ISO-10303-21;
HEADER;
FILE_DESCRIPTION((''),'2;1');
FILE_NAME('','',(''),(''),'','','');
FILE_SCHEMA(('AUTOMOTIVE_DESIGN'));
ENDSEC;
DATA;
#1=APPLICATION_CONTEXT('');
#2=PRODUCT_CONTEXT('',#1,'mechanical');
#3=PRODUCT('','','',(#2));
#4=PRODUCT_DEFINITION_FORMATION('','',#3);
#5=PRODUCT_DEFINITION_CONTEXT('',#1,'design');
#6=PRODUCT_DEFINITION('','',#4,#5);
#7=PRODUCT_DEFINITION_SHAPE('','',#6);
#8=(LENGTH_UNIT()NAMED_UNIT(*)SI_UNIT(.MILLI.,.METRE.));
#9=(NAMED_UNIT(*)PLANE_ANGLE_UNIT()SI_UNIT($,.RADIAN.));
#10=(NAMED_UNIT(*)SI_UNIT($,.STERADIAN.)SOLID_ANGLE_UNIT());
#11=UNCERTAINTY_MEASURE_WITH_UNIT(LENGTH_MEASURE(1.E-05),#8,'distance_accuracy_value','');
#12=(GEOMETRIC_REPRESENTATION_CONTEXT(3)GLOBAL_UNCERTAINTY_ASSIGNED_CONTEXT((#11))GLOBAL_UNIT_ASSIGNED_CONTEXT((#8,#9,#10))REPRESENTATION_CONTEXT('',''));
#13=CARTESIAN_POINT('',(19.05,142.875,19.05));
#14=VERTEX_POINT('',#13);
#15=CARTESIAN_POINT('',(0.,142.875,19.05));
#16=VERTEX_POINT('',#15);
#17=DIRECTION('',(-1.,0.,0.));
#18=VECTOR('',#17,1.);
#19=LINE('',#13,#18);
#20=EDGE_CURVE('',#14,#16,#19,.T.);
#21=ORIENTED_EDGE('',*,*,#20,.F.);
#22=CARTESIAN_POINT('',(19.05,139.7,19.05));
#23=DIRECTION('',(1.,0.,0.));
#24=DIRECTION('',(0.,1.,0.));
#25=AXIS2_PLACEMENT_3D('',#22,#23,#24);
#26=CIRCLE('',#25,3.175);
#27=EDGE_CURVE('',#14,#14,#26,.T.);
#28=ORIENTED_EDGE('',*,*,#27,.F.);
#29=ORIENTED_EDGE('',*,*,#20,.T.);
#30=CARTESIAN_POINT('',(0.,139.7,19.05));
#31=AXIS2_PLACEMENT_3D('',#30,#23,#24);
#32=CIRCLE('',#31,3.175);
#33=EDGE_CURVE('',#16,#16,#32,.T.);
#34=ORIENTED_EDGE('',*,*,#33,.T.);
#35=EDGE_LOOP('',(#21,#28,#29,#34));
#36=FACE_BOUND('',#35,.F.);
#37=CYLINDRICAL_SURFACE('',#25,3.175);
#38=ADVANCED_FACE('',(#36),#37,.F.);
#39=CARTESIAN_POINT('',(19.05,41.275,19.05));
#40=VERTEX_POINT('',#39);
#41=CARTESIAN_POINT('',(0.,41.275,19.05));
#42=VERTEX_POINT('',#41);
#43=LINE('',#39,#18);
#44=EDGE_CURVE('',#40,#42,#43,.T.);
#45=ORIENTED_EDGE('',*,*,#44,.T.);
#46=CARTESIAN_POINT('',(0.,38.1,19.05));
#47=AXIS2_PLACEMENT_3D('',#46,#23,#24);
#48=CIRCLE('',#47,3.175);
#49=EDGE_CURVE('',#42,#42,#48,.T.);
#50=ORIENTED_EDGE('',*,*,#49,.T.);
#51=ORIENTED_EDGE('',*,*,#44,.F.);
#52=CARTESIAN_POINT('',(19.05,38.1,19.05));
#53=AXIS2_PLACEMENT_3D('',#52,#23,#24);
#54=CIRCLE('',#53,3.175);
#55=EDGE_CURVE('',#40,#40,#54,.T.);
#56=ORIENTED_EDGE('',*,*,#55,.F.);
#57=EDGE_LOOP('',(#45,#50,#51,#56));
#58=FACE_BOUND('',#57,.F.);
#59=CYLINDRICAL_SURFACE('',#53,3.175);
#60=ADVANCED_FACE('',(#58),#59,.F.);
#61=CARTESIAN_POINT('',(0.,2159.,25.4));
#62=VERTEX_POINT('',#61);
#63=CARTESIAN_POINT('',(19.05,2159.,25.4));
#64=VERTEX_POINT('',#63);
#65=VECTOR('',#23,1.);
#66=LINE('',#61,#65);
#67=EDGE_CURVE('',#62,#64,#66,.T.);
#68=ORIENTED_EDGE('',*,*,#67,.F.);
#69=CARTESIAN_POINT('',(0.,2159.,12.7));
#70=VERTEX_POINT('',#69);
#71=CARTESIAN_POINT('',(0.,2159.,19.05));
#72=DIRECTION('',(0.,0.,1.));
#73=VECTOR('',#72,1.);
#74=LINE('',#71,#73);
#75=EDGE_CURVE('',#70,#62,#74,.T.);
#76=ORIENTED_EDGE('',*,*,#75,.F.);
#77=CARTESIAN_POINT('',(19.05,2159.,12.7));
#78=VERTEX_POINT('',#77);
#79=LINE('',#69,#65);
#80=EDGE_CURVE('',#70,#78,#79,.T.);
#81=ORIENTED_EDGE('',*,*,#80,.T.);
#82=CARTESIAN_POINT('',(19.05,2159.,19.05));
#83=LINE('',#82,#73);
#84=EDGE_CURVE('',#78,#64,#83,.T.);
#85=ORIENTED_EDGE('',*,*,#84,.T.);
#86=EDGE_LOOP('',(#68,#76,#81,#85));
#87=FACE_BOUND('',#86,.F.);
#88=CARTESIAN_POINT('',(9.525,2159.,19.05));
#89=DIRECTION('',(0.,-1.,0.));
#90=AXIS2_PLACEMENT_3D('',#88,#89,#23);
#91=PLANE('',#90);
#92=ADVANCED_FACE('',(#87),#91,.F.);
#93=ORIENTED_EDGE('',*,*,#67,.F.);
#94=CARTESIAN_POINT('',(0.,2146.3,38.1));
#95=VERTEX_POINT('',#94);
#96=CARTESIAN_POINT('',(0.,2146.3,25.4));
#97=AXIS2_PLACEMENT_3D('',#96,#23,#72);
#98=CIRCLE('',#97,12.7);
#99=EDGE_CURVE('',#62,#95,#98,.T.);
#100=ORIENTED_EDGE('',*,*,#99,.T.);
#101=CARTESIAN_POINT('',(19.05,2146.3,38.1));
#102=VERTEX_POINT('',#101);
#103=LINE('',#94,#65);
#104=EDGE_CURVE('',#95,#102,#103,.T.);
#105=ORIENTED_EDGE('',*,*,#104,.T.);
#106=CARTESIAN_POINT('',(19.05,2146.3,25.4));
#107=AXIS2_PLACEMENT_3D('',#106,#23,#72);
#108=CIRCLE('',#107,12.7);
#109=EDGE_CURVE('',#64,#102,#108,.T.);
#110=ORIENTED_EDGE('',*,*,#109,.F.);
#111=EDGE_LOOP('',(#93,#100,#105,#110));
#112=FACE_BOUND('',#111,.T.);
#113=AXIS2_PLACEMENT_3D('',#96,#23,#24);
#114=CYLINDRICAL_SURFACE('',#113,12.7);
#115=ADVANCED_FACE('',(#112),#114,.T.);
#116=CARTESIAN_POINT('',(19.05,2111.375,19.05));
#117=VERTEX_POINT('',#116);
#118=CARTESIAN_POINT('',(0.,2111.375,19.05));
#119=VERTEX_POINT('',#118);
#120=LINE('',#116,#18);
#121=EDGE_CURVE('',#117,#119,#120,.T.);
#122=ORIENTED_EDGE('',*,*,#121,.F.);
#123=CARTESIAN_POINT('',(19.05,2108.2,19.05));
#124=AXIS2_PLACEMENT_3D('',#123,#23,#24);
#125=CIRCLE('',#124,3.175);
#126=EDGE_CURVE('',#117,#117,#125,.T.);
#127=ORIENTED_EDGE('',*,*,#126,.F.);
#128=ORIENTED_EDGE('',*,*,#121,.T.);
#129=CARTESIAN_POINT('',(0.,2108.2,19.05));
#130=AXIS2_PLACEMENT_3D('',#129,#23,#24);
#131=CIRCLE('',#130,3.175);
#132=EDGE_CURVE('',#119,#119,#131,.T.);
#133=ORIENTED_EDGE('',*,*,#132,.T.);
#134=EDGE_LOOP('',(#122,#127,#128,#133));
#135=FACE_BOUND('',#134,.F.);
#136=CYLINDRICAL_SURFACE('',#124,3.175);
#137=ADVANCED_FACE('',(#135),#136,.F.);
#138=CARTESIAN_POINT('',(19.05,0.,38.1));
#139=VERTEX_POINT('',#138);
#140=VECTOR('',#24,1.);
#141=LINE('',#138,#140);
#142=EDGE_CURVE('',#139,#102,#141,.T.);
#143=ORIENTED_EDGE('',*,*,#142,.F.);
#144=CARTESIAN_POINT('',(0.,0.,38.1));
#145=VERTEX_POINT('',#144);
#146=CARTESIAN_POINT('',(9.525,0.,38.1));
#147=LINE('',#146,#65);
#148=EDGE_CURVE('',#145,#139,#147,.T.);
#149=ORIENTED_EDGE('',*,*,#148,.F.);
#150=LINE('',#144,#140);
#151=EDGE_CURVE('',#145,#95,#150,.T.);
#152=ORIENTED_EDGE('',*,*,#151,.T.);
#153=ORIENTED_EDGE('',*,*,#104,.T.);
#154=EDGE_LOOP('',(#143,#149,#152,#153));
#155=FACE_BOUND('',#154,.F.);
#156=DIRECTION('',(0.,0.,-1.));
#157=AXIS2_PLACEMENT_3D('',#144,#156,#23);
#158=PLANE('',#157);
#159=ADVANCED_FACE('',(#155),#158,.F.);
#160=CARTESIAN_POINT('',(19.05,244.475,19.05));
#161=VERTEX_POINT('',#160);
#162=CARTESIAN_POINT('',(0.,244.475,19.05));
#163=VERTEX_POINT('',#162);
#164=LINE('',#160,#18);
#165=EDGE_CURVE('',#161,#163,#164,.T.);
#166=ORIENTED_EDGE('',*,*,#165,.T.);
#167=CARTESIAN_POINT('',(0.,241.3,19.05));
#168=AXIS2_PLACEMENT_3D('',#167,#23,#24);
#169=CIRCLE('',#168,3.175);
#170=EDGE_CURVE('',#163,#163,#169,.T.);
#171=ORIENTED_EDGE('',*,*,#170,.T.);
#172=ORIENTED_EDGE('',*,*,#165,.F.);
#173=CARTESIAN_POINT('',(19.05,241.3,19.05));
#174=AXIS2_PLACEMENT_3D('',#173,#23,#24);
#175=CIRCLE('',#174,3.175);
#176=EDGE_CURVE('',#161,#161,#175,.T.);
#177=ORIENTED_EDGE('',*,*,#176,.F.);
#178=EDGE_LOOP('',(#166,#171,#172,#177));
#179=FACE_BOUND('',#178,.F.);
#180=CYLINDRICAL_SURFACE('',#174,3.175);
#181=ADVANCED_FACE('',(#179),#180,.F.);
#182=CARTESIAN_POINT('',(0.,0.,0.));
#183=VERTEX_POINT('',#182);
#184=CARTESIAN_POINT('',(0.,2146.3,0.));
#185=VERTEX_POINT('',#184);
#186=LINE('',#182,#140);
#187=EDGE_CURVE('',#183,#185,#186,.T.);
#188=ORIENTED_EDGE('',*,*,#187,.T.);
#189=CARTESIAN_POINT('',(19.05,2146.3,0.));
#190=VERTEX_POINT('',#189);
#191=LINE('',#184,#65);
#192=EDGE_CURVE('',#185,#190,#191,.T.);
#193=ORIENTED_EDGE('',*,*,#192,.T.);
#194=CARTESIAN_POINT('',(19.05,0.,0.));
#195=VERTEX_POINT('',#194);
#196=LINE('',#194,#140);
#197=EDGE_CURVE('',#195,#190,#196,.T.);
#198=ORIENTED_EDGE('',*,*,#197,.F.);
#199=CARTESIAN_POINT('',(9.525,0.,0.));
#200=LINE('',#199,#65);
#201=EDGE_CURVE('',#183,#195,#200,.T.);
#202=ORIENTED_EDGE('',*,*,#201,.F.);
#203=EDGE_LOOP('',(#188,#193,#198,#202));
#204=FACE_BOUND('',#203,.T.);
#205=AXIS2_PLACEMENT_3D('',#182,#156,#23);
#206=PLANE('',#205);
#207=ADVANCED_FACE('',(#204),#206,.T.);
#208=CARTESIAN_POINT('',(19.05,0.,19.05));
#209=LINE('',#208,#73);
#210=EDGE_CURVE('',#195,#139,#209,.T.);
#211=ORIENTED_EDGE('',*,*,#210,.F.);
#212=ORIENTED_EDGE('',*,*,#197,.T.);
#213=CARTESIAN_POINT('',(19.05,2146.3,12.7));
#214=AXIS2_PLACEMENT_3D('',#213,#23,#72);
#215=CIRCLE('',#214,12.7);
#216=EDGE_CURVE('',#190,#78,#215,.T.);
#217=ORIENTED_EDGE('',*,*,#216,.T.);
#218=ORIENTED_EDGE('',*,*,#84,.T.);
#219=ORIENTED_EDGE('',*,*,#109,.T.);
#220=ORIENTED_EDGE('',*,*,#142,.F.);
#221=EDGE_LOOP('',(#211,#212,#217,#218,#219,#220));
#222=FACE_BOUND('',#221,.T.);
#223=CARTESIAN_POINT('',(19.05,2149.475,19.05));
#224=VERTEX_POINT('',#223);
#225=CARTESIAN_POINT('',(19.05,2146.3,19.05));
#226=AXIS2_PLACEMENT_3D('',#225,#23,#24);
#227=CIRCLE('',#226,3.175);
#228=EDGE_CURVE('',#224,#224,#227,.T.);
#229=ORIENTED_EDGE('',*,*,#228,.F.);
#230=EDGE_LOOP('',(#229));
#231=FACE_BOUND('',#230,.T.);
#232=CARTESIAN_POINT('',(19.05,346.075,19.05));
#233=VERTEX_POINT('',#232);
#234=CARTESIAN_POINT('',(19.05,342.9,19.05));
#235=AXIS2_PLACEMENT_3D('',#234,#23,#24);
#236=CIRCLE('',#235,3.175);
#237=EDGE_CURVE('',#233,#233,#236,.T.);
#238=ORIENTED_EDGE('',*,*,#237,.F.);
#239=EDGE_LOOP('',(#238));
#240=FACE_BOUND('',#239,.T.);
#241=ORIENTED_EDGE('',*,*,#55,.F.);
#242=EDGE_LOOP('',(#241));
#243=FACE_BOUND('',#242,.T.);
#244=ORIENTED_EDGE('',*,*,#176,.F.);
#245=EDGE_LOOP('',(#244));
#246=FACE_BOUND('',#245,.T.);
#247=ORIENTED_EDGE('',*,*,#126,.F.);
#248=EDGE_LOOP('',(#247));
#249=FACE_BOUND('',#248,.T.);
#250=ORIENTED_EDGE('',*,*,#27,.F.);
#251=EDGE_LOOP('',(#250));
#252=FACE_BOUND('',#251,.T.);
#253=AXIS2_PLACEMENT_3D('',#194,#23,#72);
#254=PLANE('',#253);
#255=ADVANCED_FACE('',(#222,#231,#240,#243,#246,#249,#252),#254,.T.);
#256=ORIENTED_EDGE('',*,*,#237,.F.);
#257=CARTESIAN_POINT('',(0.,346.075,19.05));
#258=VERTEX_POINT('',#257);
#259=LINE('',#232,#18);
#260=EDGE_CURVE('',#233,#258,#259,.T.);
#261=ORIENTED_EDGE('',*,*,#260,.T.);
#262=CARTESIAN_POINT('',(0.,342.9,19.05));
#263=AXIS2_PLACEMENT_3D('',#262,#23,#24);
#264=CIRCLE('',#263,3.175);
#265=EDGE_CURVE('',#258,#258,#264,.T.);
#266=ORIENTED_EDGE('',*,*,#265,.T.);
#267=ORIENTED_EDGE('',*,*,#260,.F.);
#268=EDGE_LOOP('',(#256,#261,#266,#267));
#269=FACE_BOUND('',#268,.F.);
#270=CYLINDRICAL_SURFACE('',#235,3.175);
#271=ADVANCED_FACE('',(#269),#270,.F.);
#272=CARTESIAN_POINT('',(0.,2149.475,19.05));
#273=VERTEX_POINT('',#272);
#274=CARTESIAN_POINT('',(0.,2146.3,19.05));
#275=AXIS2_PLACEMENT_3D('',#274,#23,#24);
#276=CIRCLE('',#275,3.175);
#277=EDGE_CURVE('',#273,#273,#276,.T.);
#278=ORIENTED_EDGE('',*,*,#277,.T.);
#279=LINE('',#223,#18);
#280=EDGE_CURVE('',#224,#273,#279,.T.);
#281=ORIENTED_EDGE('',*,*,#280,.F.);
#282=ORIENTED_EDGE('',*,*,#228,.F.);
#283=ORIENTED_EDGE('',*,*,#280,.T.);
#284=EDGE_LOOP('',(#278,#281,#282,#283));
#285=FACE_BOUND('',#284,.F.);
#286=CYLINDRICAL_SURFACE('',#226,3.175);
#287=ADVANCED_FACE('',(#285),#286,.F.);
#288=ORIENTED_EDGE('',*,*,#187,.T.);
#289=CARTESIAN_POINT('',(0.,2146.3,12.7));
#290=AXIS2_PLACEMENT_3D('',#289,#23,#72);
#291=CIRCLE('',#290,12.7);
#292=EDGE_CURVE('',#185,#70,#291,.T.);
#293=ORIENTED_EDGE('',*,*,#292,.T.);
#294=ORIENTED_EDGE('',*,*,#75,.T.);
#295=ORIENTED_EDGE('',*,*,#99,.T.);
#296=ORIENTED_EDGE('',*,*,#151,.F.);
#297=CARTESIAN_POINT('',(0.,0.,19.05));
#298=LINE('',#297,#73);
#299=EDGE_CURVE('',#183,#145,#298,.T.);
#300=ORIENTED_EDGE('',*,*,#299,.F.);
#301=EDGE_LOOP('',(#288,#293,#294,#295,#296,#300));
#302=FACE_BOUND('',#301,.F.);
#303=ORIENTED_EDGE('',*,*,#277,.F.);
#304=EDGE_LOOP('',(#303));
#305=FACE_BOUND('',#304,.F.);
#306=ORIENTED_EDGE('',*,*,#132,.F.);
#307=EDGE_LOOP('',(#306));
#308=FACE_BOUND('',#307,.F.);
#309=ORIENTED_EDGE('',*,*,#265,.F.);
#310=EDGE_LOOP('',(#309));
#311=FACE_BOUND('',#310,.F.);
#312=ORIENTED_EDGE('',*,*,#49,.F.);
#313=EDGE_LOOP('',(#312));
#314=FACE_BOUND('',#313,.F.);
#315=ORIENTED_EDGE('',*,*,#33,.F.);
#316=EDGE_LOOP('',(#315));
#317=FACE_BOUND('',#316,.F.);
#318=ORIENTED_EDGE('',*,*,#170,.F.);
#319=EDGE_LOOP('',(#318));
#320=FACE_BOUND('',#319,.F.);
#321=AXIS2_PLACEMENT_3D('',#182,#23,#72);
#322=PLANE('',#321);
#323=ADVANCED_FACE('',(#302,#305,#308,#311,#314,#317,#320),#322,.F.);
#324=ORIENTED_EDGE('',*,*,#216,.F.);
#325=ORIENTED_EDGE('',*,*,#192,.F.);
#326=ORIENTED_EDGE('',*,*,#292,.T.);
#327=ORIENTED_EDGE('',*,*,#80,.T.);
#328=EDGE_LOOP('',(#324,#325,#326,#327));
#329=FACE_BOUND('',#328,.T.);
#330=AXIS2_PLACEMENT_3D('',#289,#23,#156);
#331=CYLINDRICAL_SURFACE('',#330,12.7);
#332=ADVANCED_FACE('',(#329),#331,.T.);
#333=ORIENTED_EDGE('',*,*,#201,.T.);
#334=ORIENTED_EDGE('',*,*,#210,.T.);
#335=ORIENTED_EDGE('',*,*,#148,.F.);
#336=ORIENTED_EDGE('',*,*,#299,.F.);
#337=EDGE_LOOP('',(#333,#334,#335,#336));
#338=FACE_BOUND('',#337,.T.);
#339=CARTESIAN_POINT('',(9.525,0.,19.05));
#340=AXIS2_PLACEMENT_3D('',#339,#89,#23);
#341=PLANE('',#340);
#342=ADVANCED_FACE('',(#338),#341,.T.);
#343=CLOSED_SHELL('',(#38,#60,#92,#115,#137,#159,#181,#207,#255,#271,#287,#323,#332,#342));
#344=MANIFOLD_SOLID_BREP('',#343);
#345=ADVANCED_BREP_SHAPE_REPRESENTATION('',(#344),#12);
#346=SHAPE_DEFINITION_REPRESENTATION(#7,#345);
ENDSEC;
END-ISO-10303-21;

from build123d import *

# Parameters (mm, degrees)
F0_W     = 19.05
F0_H     = 38.1
F1_DEPTH = 2159
F2_R     = 3.175
F3_DEPTH = 19.051
F4_R     = 12.7


with BuildPart() as f1:
    # F0 (on Front) → F1 (new body)
    with BuildSketch(Plane.XZ):
        with Locations((9.525, 19.05)):
            Rectangle(F0_W, F0_H)
    extrude(amount=-F1_DEPTH)

    # F2 (on face) → F3 (cut, through all)
    with BuildSketch(Plane.YZ.offset(19.05)):
        with Locations((38.1, 19.05)):
            Circle(F2_R)
        with Locations((2146.3, 19.05)):
            Circle(F2_R)
        with Locations((2108.2, 19.05)):
            Circle(F2_R)
        with Locations((139.7, 19.05)):
            Circle(F2_R)
        with Locations((241.3, 19.05)):
            Circle(F2_R)
        with Locations((342.9, 19.05)):
            Circle(F2_R)
    extrude(amount=-F3_DEPTH, mode=Mode.SUBTRACT)

    # F4
    f4_edges = [f1.edges().sort_by_distance(p)[0] for p in [
        (9.525, 2159, 38.1),
        (9.525, 2159, 0),
    ]]
    fillet(f4_edges, radius=F4_R)


solid = f1.part
